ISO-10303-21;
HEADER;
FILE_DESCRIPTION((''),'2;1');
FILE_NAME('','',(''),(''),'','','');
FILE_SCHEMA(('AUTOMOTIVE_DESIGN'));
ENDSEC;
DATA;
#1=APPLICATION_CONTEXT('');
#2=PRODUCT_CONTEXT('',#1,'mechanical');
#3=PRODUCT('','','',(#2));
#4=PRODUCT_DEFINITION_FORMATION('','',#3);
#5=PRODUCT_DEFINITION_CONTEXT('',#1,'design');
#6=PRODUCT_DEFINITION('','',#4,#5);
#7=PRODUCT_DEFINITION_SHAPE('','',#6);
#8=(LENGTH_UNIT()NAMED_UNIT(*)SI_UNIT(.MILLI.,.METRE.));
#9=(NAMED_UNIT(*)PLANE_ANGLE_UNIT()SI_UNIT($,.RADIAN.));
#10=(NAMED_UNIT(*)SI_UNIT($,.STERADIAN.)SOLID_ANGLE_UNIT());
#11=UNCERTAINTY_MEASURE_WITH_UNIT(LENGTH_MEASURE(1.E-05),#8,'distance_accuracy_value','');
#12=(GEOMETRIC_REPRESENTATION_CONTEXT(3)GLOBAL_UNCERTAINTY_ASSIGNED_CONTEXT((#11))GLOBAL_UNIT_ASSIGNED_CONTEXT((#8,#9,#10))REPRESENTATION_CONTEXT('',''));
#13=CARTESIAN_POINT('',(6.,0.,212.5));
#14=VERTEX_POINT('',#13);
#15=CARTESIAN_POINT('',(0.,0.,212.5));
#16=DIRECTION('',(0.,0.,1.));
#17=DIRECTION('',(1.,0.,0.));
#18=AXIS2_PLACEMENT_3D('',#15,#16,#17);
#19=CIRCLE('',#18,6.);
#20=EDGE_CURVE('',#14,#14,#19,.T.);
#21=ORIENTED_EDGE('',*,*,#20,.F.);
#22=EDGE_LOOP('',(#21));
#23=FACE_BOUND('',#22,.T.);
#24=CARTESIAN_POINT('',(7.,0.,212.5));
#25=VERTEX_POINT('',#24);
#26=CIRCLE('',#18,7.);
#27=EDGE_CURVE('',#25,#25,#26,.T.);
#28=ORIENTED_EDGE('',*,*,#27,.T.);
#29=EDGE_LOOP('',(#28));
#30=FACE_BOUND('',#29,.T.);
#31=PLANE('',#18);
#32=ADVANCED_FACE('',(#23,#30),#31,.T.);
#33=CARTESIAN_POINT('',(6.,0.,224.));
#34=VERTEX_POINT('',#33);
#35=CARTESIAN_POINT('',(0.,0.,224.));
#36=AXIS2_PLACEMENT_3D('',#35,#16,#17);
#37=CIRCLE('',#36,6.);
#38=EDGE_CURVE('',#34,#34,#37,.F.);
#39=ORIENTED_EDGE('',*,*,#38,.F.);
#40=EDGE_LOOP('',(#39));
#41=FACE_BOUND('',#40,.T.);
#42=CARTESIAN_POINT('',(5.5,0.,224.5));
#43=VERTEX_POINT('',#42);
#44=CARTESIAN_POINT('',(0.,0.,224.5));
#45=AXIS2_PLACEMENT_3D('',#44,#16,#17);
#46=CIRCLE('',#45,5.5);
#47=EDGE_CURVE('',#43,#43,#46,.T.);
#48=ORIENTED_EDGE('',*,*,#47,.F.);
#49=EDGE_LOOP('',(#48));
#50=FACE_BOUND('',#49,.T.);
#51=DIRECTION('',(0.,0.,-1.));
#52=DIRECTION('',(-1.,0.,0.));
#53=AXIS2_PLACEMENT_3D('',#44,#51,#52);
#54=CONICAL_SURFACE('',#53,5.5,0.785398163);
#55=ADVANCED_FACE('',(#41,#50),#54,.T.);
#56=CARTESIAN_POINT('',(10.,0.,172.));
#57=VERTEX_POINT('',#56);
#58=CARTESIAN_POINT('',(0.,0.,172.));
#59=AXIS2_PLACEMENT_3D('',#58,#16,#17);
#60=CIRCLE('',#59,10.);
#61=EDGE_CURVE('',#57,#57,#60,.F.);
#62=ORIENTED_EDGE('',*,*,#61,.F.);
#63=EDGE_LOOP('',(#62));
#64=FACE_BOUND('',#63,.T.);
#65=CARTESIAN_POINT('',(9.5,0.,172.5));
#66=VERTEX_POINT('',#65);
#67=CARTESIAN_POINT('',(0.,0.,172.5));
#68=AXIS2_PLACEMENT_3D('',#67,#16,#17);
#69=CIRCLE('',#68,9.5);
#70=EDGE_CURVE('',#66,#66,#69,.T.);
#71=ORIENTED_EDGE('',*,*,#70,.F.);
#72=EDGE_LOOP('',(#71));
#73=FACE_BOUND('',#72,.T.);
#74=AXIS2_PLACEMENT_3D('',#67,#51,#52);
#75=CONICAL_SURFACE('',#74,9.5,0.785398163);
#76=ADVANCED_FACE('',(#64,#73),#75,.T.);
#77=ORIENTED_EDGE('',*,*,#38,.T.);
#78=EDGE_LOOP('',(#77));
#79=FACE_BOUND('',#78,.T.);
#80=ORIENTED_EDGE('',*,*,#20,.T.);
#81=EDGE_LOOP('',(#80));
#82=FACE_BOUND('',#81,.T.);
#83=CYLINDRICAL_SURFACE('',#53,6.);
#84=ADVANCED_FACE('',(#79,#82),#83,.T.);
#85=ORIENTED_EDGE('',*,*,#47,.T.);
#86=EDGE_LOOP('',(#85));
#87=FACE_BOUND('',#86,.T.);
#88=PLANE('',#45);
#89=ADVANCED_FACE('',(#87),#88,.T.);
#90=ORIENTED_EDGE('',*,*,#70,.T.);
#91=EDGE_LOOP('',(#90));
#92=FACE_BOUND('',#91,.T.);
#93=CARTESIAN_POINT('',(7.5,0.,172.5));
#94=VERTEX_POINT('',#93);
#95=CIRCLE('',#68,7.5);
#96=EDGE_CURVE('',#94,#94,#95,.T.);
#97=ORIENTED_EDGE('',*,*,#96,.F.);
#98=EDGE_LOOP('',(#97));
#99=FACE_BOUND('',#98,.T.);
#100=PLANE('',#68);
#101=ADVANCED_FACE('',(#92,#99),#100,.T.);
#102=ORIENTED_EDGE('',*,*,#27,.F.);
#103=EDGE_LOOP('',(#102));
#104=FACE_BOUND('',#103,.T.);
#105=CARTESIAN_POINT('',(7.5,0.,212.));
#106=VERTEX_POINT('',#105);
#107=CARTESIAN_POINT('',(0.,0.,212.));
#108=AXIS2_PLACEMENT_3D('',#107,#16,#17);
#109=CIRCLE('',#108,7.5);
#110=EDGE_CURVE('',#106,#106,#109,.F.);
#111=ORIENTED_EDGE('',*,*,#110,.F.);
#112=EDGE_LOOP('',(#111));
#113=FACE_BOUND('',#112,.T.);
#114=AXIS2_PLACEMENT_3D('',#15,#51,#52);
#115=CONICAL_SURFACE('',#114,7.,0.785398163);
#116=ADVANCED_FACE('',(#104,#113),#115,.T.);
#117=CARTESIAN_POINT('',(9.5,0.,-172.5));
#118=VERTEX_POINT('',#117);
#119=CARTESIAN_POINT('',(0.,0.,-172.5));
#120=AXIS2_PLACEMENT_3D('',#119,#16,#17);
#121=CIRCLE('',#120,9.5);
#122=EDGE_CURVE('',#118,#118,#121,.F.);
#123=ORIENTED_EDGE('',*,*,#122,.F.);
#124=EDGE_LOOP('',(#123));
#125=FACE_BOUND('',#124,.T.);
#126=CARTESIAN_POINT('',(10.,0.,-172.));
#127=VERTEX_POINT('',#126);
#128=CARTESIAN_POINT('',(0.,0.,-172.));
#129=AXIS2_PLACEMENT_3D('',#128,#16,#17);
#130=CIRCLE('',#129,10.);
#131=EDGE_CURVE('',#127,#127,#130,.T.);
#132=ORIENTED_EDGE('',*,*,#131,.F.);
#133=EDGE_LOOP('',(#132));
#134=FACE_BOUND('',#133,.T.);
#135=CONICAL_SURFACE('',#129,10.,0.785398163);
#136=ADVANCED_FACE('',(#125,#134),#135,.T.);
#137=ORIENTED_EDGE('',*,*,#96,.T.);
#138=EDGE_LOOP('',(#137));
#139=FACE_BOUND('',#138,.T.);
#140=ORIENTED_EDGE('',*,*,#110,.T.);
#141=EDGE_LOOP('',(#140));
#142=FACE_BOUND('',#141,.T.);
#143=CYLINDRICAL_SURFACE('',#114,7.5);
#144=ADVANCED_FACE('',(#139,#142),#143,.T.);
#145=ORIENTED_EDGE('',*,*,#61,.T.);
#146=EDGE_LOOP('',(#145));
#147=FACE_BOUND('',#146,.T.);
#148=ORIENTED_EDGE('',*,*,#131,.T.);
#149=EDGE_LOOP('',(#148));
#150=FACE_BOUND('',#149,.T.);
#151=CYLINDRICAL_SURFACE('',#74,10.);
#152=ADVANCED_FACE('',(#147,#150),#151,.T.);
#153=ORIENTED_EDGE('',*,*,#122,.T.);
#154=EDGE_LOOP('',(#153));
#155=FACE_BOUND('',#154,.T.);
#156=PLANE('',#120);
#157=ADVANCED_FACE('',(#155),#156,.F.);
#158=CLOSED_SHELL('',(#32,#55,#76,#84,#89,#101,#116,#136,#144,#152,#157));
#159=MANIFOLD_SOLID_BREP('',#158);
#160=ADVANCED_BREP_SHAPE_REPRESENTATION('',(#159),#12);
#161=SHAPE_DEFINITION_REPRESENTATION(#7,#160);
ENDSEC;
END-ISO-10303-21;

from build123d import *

# Parameters (mm, degrees)
SKETCH1_R           = 10
BOSS_EXTRUDE1_DEPTH = 172.5
SKETCH4_R           = 7.5
BOSS_EXTRUDE2_DEPTH = 40
SKETCH5_R           = 6
BOSS_EXTRUDE3_DEPTH = 12
CHAMFER1_SIZE       = 0.5


with BuildPart() as part:
    # Sketch1 → Boss-Extrude1 (new, symmetric)
    with BuildSketch(Plane.XY):
        Circle(SKETCH1_R)
    extrude(amount=BOSS_EXTRUDE1_DEPTH, both=True)

    # Sketch4 → Boss-Extrude2 (add)
    with BuildSketch(Plane.XY.offset(172.5)):
        Circle(SKETCH4_R)
    extrude(amount=BOSS_EXTRUDE2_DEPTH)

    # Sketch5 → Boss-Extrude3 (add)
    with BuildSketch(Plane.XY.offset(212.5)):
        Circle(SKETCH5_R)
    extrude(amount=BOSS_EXTRUDE3_DEPTH)

    # Chamfer1
    chamfer1_edges = [part.edges().sort_by_distance(p)[0] for p in [
        (-6, 0, 224.5),
        (-10, 0, -172.5),
        (-10, 0, 172.5),
        (-7.5, 0, 212.5),
    ]]
    chamfer(chamfer1_edges, length=CHAMFER1_SIZE)


solid = part.part
